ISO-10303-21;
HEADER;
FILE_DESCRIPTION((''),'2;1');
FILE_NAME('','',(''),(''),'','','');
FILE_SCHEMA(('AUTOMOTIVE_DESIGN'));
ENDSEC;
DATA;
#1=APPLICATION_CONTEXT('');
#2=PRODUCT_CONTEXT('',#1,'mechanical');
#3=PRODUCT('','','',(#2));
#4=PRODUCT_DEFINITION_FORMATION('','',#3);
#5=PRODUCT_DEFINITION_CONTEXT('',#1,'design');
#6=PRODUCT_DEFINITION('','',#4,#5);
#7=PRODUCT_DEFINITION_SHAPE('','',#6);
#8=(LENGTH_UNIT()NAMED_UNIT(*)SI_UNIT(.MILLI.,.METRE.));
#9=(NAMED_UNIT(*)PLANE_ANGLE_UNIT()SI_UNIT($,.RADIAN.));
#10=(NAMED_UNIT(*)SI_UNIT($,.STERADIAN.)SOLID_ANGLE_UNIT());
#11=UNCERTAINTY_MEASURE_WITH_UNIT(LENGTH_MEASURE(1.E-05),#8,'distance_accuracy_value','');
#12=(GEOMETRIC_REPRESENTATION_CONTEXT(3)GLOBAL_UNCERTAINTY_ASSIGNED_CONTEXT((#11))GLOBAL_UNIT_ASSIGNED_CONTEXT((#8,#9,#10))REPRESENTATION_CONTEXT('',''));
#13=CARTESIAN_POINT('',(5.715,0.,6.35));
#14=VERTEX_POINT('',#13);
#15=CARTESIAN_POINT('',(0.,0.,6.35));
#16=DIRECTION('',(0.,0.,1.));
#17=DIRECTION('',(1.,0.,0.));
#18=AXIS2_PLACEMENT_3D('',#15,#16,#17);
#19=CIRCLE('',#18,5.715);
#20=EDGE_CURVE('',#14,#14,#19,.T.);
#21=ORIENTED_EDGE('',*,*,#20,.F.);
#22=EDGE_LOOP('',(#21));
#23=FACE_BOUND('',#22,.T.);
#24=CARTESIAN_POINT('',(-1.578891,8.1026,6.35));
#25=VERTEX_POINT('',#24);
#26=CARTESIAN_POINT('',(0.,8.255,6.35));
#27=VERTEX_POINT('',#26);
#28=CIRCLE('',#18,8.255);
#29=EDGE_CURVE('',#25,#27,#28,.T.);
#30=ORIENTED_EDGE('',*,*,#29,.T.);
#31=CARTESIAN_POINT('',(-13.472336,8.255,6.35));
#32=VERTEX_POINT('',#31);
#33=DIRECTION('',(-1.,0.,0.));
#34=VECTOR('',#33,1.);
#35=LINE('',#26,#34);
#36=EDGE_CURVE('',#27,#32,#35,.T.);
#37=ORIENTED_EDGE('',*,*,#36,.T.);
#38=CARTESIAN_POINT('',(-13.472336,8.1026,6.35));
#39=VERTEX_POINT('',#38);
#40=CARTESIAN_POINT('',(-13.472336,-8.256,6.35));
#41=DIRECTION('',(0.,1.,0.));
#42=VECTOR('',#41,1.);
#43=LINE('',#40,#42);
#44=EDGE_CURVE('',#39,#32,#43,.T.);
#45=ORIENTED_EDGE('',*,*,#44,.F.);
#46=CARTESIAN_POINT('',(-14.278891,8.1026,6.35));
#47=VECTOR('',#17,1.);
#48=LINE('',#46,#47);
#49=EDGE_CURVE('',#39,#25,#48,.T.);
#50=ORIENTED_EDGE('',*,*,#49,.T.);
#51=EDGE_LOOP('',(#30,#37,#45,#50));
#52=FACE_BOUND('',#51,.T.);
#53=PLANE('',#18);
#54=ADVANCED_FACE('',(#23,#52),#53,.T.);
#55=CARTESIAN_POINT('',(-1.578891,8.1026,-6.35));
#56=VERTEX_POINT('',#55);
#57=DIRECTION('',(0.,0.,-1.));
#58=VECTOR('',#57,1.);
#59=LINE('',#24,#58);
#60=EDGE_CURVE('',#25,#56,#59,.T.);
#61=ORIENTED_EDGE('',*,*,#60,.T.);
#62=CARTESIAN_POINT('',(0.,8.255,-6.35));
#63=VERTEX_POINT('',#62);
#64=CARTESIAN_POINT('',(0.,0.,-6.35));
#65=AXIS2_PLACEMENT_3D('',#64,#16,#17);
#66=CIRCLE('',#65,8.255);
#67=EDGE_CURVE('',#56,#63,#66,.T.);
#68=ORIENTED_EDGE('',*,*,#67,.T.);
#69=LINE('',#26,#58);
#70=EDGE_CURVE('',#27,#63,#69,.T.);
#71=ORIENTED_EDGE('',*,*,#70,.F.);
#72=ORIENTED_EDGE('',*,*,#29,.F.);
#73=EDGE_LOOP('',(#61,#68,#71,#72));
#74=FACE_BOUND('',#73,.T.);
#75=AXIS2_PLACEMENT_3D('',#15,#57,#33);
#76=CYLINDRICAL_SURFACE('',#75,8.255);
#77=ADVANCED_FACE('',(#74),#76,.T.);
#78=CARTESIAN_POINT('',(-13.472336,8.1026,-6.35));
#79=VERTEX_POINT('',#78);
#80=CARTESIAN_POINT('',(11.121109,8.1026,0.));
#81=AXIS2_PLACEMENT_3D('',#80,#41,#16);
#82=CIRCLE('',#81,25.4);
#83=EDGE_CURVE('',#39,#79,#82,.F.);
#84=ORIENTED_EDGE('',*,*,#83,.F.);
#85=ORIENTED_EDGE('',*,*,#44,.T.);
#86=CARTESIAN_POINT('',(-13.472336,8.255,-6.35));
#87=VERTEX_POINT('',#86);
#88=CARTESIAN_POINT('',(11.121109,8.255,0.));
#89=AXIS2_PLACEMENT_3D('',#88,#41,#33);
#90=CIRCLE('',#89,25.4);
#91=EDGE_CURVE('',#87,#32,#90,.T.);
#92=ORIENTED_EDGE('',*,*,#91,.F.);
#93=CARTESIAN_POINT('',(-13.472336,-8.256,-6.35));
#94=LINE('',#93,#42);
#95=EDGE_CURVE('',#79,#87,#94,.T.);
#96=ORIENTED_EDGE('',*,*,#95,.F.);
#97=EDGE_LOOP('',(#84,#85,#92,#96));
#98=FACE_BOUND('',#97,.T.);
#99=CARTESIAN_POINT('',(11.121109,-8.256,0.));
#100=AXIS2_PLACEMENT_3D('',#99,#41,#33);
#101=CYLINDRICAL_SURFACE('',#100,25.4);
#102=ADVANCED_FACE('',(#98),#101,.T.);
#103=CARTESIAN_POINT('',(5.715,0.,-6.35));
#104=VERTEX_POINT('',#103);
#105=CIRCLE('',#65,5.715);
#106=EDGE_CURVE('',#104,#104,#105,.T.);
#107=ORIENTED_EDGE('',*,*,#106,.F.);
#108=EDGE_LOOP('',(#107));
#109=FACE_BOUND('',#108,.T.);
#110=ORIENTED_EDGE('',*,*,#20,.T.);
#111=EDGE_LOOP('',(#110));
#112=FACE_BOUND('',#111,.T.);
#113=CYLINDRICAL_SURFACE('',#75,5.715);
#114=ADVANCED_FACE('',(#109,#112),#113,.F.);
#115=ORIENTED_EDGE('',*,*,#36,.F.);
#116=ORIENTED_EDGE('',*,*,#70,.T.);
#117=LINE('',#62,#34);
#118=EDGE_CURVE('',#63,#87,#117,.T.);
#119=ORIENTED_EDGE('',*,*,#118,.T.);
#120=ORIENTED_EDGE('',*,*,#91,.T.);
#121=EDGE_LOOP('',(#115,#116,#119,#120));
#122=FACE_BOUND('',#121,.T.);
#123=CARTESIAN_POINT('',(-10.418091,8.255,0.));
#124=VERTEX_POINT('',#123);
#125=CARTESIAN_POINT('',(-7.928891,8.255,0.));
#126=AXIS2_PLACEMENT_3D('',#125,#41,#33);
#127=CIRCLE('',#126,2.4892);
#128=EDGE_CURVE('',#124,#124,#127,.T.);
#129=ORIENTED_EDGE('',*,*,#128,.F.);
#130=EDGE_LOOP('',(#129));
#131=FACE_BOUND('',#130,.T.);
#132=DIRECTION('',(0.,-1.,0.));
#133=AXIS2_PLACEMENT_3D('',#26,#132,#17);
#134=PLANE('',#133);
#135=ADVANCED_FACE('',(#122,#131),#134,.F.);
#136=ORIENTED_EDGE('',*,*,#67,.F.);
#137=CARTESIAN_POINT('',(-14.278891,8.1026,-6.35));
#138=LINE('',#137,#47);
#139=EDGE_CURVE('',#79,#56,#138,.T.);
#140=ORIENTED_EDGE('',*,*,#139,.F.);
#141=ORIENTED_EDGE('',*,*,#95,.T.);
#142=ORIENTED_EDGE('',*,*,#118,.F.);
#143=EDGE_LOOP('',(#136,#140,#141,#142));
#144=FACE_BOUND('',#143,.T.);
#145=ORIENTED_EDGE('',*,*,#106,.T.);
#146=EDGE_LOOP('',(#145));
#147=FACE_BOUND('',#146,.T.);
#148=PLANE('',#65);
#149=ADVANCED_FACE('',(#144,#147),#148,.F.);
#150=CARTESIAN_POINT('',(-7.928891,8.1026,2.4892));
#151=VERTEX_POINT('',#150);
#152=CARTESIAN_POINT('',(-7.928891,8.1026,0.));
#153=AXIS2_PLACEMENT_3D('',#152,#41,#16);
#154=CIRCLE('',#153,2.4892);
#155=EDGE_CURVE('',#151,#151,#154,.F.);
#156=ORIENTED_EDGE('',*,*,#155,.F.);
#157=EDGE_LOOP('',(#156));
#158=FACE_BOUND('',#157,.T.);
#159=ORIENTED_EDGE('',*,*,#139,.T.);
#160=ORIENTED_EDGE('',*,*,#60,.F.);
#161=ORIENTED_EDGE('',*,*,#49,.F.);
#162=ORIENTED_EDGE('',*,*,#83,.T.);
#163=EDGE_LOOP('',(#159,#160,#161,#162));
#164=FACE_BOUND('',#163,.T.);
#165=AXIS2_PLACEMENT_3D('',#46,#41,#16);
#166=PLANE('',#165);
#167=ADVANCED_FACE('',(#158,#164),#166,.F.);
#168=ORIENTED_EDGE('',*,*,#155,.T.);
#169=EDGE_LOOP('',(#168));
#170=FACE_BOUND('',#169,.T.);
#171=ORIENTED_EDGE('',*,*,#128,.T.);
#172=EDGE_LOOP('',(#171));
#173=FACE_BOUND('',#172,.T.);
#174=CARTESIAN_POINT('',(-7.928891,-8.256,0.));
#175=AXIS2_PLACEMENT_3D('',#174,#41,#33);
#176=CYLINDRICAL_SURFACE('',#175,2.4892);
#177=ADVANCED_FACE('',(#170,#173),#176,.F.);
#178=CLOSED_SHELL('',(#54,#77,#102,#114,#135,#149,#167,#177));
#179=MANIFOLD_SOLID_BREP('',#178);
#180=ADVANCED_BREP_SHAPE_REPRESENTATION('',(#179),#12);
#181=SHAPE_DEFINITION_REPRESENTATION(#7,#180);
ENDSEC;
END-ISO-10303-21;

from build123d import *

# Parameters (mm, degrees)
SKETCH1_R           = 5.715
BOSS_EXTRUDE1_DEPTH = 6.35
CUT_EXTRUDE1_REACH  = 18.51
SKETCH2_R           = 2.4892


with BuildPart() as part:
    # Sketch1 → Boss-Extrude1 (new body, symmetric)
    with BuildSketch(Plane.XY):
        with BuildLine():
            Line((0, 8.255), (-14.278891459, 8.255))
            Line((-14.278891459, 8.255), (-14.278891459, 8.1026))
            Line((-14.278891459, 8.1026), (-1.578891459, 8.1026))
            ThreePointArc((-1.578891459, 8.1026), (0.793114746, -8.216811669), (0, 8.255))
        make_face()
        Circle(SKETCH1_R, mode=Mode.SUBTRACT)
    extrude(amount=BOSS_EXTRUDE1_DEPTH, both=True)

    # Sketch2 → Cut-Extrude1 (cut, up to next)
    with BuildSketch(Plane(origin=(0, 8.255, 0), x_dir=(1, 0, 0), z_dir=(0, 1, 0)), mode=Mode.PRIVATE) as cut_extrude1_sk1:
        with Locations((-7.928891459, 0)):
            Circle(SKETCH2_R)
    cut_extrude1_tool1 = extrude(cut_extrude1_sk1.sketch, amount=-CUT_EXTRUDE1_REACH, mode=Mode.PRIVATE) & part.part
    add(cut_extrude1_tool1.solids().sort_by_distance((-7.928891, 8.255, 0))[0], mode=Mode.SUBTRACT)
    # Sketch2 → Cut-Extrude1 (cut, up to next)
    with BuildSketch(Plane(origin=(0, 8.255, 0), x_dir=(1, 0, 0), z_dir=(0, 1, 0)), mode=Mode.PRIVATE) as cut_extrude1_sk2:
        with BuildLine():
            ThreePointArc((-14.278891459, 0), (-14.076445744, 3.200509029), (-13.472335708, 6.35))
            Line((-13.472335708, 6.35), (-14.278891459, 6.35))
            Line((-14.278891459, 6.35), (-14.278891459, 0))
        make_face()
    cut_extrude1_tool2 = extrude(cut_extrude1_sk2.sketch, amount=-CUT_EXTRUDE1_REACH, mode=Mode.PRIVATE) & part.part
    add(cut_extrude1_tool2.solids().sort_by_distance((-14.037598, 8.255, -4.767585))[0], mode=Mode.SUBTRACT)
    # Sketch2 → Cut-Extrude1 (cut, up to next)
    with BuildSketch(Plane(origin=(0, 8.255, 0), x_dir=(1, 0, 0), z_dir=(0, 1, 0)), mode=Mode.PRIVATE) as cut_extrude1_sk3:
        with BuildLine():
            ThreePointArc((-13.472335708, -6.35), (-14.076445744, -3.200509029), (-14.278891459, 0))
            Line((-14.278891459, 0), (-14.278891459, -6.35))
            Line((-14.278891459, -6.35), (-13.472335708, -6.35))
        make_face()
    cut_extrude1_tool3 = extrude(cut_extrude1_sk3.sketch, amount=-CUT_EXTRUDE1_REACH, mode=Mode.PRIVATE) & part.part
    add(cut_extrude1_tool3.solids().sort_by_distance((-14.037598, 8.255, 4.767585))[0], mode=Mode.SUBTRACT)


solid = part.part
